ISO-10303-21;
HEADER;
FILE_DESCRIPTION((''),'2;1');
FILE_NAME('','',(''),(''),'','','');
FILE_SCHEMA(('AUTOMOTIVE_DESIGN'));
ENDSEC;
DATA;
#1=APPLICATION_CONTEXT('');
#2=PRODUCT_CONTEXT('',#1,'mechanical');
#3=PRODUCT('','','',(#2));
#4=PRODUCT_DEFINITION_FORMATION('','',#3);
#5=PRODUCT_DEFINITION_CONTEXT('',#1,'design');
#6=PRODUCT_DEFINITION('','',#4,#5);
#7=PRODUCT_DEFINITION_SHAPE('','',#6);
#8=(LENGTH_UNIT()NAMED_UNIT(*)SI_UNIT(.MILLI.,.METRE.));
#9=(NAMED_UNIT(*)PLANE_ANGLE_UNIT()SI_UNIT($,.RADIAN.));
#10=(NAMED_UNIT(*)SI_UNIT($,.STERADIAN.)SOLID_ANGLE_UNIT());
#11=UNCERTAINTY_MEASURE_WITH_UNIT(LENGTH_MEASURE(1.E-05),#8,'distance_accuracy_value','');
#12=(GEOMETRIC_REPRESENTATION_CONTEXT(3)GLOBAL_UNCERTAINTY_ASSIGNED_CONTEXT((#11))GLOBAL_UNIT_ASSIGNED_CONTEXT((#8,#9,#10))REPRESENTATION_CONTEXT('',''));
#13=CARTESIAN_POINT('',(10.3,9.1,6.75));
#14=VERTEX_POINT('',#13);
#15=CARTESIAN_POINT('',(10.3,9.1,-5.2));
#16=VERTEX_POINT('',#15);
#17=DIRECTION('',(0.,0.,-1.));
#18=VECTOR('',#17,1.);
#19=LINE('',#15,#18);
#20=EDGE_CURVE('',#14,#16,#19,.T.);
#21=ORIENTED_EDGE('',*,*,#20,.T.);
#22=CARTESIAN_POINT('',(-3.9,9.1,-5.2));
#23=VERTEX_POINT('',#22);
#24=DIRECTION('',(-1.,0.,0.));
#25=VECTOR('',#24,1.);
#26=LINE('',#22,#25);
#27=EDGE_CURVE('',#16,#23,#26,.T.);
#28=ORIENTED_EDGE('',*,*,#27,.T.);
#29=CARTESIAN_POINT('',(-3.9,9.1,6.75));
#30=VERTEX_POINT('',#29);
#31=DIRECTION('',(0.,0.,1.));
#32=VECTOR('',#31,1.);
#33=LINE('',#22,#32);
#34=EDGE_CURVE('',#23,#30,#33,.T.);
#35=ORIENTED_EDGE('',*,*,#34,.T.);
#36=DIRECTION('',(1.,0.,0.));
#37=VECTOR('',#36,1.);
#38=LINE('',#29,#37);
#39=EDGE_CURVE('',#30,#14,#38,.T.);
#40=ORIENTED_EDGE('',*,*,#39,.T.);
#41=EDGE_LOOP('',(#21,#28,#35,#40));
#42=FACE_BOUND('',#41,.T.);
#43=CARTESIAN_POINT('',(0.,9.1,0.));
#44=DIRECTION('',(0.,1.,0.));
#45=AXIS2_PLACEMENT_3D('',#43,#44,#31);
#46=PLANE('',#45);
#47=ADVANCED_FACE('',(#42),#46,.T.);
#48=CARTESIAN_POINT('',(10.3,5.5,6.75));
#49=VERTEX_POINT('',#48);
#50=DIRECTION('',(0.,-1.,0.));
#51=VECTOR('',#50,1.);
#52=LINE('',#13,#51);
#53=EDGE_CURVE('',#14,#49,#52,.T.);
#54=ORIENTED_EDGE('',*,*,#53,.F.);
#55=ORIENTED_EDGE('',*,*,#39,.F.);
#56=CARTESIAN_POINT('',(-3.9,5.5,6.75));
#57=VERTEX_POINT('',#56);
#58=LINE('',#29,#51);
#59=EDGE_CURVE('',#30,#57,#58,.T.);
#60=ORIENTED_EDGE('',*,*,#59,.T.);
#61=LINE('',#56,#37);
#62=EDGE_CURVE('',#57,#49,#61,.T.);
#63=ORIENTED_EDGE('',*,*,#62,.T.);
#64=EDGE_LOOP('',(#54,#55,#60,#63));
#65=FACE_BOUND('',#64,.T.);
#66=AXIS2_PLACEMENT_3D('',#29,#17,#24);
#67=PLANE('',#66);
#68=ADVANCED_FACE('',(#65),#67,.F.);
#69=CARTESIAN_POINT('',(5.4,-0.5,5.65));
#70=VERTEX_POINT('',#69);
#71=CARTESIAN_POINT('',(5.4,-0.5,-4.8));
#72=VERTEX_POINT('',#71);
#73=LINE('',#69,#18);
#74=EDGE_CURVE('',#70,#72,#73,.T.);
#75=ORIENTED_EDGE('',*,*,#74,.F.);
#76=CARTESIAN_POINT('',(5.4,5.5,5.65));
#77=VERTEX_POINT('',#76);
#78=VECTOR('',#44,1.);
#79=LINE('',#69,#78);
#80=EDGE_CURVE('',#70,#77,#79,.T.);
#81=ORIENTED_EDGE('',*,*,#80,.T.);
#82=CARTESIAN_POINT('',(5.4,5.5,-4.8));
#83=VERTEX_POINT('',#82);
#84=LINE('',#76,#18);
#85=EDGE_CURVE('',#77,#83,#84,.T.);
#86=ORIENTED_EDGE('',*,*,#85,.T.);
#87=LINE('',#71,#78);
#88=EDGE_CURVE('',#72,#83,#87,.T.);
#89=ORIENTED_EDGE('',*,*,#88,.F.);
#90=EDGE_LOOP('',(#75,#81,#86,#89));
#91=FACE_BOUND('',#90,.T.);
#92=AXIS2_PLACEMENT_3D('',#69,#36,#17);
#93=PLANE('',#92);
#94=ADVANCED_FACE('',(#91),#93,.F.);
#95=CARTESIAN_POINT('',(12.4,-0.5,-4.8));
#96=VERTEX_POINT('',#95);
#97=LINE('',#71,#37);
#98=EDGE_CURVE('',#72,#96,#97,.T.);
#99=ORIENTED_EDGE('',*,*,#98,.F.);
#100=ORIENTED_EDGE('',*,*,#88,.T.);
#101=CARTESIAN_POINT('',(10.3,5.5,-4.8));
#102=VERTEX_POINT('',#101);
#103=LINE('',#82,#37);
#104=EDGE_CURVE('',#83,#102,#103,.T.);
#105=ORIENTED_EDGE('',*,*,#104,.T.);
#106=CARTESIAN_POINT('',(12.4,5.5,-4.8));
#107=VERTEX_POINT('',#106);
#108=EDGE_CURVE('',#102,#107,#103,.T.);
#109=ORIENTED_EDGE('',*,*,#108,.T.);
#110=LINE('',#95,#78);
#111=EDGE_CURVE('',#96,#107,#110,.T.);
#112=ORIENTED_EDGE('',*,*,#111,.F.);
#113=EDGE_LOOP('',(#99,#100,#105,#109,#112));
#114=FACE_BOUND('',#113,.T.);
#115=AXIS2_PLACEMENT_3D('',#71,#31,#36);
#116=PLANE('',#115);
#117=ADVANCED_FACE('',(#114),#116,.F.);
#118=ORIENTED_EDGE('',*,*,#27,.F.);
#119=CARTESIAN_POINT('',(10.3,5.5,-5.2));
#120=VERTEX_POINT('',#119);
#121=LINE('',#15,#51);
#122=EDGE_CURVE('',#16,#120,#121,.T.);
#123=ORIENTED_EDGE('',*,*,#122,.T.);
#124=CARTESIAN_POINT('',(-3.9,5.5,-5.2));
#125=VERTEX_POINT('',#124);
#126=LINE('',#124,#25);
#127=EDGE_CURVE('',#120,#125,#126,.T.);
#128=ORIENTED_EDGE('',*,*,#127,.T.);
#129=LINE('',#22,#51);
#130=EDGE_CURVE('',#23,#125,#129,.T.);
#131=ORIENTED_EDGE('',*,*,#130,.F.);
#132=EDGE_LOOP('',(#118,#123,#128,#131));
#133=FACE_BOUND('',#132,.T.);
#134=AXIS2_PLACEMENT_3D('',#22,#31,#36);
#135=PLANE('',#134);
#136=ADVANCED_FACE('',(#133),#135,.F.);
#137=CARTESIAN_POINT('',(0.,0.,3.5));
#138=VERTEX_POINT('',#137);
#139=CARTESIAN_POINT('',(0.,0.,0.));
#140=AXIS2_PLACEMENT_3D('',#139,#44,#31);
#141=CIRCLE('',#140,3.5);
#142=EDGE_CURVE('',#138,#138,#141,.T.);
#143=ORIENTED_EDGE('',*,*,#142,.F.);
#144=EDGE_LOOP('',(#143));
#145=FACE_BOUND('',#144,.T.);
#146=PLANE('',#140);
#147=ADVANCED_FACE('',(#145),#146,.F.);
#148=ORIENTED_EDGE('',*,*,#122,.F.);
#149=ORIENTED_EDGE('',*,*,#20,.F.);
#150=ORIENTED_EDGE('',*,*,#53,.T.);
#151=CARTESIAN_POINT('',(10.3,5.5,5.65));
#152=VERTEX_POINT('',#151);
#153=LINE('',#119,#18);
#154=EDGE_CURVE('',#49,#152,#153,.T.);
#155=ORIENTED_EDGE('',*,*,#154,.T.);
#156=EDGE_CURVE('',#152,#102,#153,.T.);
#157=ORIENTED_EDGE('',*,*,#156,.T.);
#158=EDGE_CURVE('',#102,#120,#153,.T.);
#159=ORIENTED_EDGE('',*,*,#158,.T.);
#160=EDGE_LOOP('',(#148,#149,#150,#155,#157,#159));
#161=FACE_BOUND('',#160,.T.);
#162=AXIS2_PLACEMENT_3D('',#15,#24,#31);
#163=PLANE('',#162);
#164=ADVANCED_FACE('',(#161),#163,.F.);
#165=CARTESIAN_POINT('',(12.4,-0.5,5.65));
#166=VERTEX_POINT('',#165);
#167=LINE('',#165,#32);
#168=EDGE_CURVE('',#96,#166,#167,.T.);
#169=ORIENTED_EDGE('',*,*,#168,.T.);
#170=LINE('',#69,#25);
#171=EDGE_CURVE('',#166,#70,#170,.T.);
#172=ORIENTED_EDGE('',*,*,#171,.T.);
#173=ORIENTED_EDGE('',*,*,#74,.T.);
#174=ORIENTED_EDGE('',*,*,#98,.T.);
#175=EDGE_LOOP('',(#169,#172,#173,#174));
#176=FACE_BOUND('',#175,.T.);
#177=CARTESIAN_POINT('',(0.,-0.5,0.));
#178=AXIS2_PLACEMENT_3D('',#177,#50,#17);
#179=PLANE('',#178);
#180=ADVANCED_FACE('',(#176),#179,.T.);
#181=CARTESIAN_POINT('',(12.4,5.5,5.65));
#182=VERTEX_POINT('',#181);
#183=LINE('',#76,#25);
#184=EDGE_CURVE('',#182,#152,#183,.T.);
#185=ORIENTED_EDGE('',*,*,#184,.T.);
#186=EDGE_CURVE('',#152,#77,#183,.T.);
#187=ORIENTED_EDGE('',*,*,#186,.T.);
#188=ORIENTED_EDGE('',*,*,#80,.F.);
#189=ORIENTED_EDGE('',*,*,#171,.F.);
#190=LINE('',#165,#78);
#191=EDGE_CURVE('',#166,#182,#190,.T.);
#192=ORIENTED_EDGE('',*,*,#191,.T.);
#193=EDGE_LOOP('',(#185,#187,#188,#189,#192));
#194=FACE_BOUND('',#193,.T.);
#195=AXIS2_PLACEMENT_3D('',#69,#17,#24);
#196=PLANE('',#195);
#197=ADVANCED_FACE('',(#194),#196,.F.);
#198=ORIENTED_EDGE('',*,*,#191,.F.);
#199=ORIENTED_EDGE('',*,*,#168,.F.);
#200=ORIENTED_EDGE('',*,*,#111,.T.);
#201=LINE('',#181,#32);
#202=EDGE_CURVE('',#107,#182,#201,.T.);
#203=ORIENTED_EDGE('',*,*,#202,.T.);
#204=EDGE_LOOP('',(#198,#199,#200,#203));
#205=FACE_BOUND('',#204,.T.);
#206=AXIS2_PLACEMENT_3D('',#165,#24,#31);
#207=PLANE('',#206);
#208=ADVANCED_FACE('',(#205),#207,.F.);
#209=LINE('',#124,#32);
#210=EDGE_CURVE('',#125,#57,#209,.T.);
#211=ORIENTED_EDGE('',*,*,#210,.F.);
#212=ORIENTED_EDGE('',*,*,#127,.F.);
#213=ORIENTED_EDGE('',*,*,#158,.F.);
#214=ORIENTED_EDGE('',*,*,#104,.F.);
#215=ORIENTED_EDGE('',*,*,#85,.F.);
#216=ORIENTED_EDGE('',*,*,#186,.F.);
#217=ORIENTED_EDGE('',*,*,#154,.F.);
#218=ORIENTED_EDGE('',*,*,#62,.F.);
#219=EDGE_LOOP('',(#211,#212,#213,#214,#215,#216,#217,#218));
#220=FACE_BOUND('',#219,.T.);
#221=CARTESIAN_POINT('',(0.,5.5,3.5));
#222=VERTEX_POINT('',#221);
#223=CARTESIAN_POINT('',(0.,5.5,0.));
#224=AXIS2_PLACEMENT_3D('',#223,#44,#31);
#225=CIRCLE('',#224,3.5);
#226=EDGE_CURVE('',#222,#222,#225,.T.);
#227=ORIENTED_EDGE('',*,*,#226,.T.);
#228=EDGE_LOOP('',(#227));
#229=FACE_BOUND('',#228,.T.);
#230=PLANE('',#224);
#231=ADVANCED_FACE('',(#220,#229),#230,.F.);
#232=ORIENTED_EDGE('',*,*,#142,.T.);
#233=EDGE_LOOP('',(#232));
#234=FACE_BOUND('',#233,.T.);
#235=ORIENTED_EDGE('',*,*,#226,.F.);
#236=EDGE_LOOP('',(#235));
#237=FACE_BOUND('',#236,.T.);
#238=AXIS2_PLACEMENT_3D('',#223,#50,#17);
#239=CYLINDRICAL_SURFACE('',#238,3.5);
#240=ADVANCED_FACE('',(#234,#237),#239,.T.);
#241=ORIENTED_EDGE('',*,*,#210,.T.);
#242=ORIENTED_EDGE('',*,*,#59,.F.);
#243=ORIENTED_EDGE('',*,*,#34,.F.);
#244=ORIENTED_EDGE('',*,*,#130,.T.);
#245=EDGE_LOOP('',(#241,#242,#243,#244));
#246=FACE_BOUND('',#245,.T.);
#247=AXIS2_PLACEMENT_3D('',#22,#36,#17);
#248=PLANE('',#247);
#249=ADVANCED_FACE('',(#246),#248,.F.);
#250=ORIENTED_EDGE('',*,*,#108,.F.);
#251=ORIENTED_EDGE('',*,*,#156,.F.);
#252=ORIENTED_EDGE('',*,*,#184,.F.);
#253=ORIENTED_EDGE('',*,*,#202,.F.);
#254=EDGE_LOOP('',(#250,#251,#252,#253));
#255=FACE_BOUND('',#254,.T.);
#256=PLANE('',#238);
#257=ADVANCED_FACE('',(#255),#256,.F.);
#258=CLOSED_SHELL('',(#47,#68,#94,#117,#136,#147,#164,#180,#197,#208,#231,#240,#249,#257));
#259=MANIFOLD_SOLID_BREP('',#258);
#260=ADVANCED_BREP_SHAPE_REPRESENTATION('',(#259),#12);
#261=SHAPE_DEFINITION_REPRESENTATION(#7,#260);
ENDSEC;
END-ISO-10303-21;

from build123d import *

# Parameters (mm, degrees)
SKETCH3_R           = 3.5
BOSS_EXTRUDE2_DEPTH = 5.5
SKETCH1_W           = 14.2
SKETCH1_H           = 11.95
BOSS_EXTRUDE3_DEPTH = 3.6
SKETCH4_W           = 7
SKETCH4_H           = 10.45
BOSS_EXTRUDE4_DEPTH = 6


with BuildPart() as part:
    # Sketch3 → Boss-Extrude2 (new body)
    with BuildSketch(Plane(origin=(0, 0, 0), x_dir=(1, 0, 0), z_dir=(0, 1, 0))):
        with Locations(Location((0, 0, 0), (0, 0, 270))):
            Circle(SKETCH3_R)
    extrude(amount=BOSS_EXTRUDE2_DEPTH)

    # Sketch1 → Boss-Extrude3 (add)
    with BuildSketch(Plane(origin=(0, 5.5, 0), x_dir=(1, 0, 0), z_dir=(0, 1, 0))):
        with Locations((3.2, -0.775)):
            Rectangle(SKETCH1_W, SKETCH1_H)
    extrude(amount=BOSS_EXTRUDE3_DEPTH)

    # Sketch4 → Boss-Extrude4 (add)
    with BuildSketch(Plane.XZ.offset(-5.5)):
        with Locations((8.9, 0.425)):
            Rectangle(SKETCH4_W, SKETCH4_H)
    extrude(amount=BOSS_EXTRUDE4_DEPTH)


solid = part.part
